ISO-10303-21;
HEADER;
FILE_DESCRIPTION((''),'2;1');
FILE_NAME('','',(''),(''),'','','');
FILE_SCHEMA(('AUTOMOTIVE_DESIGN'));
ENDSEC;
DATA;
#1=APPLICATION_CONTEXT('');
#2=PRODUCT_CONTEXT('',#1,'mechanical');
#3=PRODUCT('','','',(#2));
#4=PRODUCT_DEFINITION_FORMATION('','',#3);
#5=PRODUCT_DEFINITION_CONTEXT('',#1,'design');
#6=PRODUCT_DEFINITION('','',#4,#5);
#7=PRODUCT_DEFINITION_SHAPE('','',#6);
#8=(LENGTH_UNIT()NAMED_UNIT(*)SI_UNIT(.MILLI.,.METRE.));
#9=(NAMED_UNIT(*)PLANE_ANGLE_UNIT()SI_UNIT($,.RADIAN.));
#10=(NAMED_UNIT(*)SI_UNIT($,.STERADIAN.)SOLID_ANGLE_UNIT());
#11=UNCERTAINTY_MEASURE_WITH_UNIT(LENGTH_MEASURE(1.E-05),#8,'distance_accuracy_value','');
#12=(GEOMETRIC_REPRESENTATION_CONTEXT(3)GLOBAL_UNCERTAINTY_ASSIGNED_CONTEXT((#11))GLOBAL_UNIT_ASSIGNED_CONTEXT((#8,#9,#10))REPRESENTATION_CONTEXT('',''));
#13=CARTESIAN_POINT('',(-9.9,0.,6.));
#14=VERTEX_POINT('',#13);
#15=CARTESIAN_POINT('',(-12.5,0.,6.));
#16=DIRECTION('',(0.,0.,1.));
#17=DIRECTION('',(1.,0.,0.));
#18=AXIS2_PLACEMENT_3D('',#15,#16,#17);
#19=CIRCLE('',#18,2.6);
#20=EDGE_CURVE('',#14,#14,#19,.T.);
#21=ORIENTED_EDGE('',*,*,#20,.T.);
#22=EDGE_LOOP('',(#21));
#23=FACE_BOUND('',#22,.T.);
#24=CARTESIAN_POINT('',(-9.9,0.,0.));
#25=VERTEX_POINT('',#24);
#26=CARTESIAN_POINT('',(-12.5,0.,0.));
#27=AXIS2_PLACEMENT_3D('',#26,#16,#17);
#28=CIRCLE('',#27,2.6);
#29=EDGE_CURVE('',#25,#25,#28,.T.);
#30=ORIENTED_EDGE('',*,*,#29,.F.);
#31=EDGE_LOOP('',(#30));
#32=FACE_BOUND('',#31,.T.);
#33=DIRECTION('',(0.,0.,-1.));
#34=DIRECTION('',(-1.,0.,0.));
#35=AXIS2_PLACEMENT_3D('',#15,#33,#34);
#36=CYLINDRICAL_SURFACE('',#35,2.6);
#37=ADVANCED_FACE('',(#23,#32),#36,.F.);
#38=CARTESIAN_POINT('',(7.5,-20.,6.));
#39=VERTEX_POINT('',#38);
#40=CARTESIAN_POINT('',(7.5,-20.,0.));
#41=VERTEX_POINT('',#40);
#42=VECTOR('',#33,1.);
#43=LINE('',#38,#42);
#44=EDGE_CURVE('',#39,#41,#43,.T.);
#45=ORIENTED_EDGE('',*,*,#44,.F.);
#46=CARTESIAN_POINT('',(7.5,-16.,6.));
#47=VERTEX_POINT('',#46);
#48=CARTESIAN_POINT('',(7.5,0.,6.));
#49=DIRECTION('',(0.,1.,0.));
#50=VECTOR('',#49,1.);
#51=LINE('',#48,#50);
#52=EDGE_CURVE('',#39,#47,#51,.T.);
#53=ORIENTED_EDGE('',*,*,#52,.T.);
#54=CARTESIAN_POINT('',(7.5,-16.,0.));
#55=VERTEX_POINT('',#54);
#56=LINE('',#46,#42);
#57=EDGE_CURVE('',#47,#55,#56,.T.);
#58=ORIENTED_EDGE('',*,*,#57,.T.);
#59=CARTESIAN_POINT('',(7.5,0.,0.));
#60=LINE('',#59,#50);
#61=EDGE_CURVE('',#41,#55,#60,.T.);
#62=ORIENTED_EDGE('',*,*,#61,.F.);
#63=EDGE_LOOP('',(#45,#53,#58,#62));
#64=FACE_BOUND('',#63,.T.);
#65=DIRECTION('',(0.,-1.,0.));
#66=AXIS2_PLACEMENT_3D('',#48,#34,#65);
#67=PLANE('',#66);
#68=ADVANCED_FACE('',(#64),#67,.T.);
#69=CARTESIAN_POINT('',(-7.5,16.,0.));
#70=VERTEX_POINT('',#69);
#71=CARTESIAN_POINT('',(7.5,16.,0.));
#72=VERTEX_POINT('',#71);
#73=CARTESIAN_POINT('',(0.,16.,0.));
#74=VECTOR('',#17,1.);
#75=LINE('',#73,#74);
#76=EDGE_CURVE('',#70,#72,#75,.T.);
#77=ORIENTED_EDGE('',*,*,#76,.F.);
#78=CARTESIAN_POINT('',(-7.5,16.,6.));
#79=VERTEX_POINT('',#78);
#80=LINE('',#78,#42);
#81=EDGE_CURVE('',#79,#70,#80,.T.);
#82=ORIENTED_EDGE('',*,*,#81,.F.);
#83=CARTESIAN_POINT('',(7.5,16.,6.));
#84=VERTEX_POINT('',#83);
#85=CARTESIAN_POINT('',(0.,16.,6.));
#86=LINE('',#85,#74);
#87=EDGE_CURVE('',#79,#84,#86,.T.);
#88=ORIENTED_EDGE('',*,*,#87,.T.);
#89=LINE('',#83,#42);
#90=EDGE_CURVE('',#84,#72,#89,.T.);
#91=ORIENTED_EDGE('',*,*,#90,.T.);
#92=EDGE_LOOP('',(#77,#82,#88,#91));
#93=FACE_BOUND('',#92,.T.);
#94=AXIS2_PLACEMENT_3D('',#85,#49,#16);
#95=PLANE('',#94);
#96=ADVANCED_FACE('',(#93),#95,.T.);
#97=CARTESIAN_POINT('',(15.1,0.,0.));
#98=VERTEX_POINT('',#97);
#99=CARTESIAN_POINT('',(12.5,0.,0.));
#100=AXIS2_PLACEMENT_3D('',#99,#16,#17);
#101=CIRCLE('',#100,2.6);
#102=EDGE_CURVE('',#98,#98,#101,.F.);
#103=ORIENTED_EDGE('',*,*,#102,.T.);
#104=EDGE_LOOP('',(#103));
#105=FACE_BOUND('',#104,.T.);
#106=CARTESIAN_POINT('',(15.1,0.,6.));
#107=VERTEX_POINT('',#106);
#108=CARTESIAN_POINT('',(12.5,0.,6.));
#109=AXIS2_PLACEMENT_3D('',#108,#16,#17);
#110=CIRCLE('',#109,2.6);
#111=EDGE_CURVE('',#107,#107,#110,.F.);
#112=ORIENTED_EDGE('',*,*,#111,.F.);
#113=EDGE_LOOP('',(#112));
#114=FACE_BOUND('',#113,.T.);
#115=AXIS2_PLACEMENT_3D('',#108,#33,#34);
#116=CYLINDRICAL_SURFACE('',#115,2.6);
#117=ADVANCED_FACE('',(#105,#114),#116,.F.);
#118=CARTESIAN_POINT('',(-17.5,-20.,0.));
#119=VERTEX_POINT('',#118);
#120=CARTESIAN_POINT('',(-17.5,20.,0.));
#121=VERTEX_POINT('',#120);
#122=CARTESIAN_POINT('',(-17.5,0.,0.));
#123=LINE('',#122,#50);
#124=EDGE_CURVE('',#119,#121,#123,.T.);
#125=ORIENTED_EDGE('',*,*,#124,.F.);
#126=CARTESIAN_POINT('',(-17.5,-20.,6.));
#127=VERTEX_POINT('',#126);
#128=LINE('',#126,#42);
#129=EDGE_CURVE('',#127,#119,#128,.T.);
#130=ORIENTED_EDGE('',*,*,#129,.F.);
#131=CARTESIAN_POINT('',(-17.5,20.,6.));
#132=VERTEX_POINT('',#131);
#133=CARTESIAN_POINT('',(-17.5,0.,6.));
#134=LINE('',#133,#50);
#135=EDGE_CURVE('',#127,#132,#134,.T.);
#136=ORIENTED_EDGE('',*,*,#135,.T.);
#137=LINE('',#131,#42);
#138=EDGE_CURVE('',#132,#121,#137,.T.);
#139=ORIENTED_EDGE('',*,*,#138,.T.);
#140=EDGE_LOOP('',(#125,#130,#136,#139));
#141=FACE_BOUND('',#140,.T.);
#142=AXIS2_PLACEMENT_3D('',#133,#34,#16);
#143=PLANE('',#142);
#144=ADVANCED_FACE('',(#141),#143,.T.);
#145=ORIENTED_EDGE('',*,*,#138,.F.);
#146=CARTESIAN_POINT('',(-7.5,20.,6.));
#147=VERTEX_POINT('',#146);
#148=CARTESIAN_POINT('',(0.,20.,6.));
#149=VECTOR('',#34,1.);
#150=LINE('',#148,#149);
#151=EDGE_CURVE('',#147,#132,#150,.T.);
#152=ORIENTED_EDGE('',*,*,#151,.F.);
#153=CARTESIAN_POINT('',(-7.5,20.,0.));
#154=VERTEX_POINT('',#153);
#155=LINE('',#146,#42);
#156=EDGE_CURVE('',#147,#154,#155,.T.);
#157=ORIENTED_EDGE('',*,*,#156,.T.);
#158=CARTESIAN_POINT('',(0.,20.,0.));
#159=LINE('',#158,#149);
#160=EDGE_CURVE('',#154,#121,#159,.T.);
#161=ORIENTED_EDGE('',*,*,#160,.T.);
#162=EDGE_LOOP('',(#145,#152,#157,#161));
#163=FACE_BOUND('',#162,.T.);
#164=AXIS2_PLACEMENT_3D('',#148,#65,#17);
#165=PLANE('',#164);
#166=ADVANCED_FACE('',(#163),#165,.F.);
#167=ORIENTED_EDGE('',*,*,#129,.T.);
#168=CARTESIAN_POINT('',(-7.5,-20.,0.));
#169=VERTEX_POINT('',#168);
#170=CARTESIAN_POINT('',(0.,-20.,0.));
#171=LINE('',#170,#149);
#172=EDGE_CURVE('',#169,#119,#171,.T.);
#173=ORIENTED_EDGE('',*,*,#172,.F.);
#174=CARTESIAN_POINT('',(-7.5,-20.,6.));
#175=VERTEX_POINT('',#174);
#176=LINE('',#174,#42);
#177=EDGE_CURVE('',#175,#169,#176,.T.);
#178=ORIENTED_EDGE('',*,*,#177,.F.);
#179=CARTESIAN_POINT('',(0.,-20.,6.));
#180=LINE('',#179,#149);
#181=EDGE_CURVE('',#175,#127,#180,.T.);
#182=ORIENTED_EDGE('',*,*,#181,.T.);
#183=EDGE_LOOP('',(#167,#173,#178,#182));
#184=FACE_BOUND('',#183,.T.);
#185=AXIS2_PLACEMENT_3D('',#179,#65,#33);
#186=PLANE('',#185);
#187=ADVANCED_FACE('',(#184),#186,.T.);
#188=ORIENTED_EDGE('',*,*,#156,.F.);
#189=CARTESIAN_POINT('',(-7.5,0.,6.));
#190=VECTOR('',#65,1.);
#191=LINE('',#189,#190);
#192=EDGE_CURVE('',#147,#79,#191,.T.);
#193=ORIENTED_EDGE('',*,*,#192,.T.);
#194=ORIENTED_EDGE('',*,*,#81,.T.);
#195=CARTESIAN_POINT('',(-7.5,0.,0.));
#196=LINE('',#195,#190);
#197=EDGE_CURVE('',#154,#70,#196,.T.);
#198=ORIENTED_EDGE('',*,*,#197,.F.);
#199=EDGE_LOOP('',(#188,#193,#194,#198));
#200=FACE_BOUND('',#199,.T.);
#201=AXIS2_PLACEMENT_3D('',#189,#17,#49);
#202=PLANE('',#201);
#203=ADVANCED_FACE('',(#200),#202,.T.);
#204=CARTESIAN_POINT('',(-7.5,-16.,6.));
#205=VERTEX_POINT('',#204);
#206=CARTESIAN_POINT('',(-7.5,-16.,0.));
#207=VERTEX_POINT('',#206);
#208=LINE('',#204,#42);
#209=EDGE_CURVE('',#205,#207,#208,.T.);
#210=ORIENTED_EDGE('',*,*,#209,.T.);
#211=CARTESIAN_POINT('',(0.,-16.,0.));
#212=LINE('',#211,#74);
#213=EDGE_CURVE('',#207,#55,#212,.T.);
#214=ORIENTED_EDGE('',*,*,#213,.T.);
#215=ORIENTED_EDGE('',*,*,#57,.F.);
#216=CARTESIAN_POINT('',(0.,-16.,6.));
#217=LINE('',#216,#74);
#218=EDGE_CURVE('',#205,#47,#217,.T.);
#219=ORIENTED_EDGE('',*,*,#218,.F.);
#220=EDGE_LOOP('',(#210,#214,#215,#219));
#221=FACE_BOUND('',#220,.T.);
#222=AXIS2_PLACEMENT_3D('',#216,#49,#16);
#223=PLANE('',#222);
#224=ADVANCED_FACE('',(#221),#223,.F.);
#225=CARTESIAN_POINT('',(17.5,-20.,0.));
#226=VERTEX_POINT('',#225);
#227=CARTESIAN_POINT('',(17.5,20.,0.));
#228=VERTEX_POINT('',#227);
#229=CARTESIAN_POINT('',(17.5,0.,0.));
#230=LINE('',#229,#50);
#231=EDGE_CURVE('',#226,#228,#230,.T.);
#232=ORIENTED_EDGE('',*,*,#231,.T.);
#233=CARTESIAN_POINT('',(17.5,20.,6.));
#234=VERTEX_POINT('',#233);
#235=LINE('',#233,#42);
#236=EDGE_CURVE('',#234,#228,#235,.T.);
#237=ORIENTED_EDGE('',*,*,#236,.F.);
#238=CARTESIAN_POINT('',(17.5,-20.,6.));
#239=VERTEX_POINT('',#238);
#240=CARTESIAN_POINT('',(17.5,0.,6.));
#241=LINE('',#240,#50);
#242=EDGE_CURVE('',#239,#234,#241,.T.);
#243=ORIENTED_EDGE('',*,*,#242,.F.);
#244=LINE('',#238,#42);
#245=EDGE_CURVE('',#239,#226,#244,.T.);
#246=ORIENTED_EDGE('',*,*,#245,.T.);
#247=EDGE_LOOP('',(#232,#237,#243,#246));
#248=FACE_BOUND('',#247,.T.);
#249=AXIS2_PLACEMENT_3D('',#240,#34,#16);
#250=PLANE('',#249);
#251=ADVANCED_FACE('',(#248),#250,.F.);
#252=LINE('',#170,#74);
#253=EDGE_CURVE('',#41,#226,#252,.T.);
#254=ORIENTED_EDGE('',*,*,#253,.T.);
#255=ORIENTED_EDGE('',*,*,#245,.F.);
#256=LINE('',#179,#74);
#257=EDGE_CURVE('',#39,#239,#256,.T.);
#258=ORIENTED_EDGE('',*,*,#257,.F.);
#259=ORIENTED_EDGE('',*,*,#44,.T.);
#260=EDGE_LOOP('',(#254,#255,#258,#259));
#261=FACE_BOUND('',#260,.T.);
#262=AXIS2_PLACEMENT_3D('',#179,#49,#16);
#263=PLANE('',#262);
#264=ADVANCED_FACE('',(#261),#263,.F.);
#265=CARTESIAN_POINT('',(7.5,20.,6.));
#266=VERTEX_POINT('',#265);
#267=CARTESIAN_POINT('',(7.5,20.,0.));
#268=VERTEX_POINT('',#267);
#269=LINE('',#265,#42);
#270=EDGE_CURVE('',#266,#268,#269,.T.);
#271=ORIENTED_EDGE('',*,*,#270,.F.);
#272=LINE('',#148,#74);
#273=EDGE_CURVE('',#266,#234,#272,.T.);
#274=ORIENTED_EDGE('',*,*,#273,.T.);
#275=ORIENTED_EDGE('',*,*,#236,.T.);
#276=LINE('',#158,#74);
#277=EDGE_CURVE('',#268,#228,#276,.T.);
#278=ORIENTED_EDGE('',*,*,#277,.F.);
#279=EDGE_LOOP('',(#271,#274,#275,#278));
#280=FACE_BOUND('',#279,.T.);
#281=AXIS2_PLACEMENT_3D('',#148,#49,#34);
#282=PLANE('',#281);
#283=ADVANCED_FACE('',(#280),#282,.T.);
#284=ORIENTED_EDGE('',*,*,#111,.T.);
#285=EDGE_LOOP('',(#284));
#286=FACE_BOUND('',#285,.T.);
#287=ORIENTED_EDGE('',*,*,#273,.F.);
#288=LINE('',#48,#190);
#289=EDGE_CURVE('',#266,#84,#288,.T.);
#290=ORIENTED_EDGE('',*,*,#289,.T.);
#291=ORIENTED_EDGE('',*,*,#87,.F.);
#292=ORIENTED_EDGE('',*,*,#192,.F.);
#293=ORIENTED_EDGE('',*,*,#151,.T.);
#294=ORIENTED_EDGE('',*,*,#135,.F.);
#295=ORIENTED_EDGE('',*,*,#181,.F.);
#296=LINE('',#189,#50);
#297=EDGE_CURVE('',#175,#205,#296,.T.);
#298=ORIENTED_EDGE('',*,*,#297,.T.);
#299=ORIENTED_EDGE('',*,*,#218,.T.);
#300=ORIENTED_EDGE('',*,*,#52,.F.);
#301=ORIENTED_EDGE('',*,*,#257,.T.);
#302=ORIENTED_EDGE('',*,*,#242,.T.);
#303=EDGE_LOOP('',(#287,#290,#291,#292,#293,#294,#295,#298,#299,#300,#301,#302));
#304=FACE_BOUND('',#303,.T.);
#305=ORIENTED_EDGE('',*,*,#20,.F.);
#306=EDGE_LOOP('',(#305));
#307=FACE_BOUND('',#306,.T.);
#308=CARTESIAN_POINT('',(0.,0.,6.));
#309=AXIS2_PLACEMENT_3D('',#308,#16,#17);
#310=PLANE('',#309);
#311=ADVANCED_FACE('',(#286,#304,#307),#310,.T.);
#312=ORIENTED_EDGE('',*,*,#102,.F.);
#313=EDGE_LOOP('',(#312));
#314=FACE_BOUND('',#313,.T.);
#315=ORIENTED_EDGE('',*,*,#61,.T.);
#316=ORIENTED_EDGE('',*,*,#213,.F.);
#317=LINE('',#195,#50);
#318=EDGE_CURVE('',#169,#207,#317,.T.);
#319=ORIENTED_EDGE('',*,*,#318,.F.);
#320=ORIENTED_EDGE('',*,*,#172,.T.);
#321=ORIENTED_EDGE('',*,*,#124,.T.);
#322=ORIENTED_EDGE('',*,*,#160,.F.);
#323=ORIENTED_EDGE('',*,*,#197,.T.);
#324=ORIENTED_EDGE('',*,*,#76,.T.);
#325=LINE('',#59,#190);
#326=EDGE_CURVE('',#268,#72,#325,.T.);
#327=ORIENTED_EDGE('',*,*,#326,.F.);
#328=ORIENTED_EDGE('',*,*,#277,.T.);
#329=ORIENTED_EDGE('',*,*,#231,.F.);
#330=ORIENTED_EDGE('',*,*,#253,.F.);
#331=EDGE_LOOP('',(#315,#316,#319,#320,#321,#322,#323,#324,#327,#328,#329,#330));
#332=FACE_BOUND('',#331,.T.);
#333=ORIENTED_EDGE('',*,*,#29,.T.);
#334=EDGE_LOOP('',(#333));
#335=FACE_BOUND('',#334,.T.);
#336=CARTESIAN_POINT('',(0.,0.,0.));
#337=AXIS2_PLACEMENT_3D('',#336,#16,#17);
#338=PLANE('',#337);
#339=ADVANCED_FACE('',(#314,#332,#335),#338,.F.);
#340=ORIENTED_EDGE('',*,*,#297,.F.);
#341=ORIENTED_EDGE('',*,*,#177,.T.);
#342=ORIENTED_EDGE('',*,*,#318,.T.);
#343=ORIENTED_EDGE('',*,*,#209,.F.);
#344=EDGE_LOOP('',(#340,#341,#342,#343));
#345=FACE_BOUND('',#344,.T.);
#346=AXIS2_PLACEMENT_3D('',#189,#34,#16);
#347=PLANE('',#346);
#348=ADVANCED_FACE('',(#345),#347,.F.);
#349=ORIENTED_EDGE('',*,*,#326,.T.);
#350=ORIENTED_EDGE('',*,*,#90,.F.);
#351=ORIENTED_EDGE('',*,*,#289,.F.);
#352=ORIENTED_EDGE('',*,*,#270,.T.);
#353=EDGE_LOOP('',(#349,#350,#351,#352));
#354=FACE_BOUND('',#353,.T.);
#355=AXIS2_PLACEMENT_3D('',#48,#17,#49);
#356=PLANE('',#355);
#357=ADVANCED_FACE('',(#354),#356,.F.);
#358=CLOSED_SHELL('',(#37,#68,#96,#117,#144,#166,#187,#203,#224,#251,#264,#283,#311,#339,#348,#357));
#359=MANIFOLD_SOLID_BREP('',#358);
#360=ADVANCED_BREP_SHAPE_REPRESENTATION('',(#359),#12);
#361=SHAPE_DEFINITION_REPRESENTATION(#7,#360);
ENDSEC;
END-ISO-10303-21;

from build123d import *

# Parameters (mm, degrees)
ESBO_O1_W                = 10
ESBO_O1_H                = 4
ESBO_O1_W_2              = 35
ESBO_O1_H_2              = 32
ESBO_O1_R                = 2.6
RESSALTO_EXTRUS_O1_DEPTH = 6


with BuildPart() as part:
    # Esboço1 → Ressalto-extrusão1 (new body)
    with BuildSketch(Plane.XY):
        with Locations((-12.5, -18)):
            Rectangle(ESBO_O1_W, ESBO_O1_H)
        Rectangle(ESBO_O1_W_2, ESBO_O1_H_2)
        with Locations((-12.5, 0)):
            Circle(ESBO_O1_R, mode=Mode.SUBTRACT)
        with Locations((12.5, 0)):
            Circle(ESBO_O1_R, mode=Mode.SUBTRACT)
        with Locations((12.5, -18)):
            Rectangle(ESBO_O1_W, ESBO_O1_H)
        with Locations((12.5, 18)):
            Rectangle(ESBO_O1_W, ESBO_O1_H)
        with Locations((-12.5, 18)):
            Rectangle(ESBO_O1_W, ESBO_O1_H)
    extrude(amount=RESSALTO_EXTRUS_O1_DEPTH)


solid = part.part
